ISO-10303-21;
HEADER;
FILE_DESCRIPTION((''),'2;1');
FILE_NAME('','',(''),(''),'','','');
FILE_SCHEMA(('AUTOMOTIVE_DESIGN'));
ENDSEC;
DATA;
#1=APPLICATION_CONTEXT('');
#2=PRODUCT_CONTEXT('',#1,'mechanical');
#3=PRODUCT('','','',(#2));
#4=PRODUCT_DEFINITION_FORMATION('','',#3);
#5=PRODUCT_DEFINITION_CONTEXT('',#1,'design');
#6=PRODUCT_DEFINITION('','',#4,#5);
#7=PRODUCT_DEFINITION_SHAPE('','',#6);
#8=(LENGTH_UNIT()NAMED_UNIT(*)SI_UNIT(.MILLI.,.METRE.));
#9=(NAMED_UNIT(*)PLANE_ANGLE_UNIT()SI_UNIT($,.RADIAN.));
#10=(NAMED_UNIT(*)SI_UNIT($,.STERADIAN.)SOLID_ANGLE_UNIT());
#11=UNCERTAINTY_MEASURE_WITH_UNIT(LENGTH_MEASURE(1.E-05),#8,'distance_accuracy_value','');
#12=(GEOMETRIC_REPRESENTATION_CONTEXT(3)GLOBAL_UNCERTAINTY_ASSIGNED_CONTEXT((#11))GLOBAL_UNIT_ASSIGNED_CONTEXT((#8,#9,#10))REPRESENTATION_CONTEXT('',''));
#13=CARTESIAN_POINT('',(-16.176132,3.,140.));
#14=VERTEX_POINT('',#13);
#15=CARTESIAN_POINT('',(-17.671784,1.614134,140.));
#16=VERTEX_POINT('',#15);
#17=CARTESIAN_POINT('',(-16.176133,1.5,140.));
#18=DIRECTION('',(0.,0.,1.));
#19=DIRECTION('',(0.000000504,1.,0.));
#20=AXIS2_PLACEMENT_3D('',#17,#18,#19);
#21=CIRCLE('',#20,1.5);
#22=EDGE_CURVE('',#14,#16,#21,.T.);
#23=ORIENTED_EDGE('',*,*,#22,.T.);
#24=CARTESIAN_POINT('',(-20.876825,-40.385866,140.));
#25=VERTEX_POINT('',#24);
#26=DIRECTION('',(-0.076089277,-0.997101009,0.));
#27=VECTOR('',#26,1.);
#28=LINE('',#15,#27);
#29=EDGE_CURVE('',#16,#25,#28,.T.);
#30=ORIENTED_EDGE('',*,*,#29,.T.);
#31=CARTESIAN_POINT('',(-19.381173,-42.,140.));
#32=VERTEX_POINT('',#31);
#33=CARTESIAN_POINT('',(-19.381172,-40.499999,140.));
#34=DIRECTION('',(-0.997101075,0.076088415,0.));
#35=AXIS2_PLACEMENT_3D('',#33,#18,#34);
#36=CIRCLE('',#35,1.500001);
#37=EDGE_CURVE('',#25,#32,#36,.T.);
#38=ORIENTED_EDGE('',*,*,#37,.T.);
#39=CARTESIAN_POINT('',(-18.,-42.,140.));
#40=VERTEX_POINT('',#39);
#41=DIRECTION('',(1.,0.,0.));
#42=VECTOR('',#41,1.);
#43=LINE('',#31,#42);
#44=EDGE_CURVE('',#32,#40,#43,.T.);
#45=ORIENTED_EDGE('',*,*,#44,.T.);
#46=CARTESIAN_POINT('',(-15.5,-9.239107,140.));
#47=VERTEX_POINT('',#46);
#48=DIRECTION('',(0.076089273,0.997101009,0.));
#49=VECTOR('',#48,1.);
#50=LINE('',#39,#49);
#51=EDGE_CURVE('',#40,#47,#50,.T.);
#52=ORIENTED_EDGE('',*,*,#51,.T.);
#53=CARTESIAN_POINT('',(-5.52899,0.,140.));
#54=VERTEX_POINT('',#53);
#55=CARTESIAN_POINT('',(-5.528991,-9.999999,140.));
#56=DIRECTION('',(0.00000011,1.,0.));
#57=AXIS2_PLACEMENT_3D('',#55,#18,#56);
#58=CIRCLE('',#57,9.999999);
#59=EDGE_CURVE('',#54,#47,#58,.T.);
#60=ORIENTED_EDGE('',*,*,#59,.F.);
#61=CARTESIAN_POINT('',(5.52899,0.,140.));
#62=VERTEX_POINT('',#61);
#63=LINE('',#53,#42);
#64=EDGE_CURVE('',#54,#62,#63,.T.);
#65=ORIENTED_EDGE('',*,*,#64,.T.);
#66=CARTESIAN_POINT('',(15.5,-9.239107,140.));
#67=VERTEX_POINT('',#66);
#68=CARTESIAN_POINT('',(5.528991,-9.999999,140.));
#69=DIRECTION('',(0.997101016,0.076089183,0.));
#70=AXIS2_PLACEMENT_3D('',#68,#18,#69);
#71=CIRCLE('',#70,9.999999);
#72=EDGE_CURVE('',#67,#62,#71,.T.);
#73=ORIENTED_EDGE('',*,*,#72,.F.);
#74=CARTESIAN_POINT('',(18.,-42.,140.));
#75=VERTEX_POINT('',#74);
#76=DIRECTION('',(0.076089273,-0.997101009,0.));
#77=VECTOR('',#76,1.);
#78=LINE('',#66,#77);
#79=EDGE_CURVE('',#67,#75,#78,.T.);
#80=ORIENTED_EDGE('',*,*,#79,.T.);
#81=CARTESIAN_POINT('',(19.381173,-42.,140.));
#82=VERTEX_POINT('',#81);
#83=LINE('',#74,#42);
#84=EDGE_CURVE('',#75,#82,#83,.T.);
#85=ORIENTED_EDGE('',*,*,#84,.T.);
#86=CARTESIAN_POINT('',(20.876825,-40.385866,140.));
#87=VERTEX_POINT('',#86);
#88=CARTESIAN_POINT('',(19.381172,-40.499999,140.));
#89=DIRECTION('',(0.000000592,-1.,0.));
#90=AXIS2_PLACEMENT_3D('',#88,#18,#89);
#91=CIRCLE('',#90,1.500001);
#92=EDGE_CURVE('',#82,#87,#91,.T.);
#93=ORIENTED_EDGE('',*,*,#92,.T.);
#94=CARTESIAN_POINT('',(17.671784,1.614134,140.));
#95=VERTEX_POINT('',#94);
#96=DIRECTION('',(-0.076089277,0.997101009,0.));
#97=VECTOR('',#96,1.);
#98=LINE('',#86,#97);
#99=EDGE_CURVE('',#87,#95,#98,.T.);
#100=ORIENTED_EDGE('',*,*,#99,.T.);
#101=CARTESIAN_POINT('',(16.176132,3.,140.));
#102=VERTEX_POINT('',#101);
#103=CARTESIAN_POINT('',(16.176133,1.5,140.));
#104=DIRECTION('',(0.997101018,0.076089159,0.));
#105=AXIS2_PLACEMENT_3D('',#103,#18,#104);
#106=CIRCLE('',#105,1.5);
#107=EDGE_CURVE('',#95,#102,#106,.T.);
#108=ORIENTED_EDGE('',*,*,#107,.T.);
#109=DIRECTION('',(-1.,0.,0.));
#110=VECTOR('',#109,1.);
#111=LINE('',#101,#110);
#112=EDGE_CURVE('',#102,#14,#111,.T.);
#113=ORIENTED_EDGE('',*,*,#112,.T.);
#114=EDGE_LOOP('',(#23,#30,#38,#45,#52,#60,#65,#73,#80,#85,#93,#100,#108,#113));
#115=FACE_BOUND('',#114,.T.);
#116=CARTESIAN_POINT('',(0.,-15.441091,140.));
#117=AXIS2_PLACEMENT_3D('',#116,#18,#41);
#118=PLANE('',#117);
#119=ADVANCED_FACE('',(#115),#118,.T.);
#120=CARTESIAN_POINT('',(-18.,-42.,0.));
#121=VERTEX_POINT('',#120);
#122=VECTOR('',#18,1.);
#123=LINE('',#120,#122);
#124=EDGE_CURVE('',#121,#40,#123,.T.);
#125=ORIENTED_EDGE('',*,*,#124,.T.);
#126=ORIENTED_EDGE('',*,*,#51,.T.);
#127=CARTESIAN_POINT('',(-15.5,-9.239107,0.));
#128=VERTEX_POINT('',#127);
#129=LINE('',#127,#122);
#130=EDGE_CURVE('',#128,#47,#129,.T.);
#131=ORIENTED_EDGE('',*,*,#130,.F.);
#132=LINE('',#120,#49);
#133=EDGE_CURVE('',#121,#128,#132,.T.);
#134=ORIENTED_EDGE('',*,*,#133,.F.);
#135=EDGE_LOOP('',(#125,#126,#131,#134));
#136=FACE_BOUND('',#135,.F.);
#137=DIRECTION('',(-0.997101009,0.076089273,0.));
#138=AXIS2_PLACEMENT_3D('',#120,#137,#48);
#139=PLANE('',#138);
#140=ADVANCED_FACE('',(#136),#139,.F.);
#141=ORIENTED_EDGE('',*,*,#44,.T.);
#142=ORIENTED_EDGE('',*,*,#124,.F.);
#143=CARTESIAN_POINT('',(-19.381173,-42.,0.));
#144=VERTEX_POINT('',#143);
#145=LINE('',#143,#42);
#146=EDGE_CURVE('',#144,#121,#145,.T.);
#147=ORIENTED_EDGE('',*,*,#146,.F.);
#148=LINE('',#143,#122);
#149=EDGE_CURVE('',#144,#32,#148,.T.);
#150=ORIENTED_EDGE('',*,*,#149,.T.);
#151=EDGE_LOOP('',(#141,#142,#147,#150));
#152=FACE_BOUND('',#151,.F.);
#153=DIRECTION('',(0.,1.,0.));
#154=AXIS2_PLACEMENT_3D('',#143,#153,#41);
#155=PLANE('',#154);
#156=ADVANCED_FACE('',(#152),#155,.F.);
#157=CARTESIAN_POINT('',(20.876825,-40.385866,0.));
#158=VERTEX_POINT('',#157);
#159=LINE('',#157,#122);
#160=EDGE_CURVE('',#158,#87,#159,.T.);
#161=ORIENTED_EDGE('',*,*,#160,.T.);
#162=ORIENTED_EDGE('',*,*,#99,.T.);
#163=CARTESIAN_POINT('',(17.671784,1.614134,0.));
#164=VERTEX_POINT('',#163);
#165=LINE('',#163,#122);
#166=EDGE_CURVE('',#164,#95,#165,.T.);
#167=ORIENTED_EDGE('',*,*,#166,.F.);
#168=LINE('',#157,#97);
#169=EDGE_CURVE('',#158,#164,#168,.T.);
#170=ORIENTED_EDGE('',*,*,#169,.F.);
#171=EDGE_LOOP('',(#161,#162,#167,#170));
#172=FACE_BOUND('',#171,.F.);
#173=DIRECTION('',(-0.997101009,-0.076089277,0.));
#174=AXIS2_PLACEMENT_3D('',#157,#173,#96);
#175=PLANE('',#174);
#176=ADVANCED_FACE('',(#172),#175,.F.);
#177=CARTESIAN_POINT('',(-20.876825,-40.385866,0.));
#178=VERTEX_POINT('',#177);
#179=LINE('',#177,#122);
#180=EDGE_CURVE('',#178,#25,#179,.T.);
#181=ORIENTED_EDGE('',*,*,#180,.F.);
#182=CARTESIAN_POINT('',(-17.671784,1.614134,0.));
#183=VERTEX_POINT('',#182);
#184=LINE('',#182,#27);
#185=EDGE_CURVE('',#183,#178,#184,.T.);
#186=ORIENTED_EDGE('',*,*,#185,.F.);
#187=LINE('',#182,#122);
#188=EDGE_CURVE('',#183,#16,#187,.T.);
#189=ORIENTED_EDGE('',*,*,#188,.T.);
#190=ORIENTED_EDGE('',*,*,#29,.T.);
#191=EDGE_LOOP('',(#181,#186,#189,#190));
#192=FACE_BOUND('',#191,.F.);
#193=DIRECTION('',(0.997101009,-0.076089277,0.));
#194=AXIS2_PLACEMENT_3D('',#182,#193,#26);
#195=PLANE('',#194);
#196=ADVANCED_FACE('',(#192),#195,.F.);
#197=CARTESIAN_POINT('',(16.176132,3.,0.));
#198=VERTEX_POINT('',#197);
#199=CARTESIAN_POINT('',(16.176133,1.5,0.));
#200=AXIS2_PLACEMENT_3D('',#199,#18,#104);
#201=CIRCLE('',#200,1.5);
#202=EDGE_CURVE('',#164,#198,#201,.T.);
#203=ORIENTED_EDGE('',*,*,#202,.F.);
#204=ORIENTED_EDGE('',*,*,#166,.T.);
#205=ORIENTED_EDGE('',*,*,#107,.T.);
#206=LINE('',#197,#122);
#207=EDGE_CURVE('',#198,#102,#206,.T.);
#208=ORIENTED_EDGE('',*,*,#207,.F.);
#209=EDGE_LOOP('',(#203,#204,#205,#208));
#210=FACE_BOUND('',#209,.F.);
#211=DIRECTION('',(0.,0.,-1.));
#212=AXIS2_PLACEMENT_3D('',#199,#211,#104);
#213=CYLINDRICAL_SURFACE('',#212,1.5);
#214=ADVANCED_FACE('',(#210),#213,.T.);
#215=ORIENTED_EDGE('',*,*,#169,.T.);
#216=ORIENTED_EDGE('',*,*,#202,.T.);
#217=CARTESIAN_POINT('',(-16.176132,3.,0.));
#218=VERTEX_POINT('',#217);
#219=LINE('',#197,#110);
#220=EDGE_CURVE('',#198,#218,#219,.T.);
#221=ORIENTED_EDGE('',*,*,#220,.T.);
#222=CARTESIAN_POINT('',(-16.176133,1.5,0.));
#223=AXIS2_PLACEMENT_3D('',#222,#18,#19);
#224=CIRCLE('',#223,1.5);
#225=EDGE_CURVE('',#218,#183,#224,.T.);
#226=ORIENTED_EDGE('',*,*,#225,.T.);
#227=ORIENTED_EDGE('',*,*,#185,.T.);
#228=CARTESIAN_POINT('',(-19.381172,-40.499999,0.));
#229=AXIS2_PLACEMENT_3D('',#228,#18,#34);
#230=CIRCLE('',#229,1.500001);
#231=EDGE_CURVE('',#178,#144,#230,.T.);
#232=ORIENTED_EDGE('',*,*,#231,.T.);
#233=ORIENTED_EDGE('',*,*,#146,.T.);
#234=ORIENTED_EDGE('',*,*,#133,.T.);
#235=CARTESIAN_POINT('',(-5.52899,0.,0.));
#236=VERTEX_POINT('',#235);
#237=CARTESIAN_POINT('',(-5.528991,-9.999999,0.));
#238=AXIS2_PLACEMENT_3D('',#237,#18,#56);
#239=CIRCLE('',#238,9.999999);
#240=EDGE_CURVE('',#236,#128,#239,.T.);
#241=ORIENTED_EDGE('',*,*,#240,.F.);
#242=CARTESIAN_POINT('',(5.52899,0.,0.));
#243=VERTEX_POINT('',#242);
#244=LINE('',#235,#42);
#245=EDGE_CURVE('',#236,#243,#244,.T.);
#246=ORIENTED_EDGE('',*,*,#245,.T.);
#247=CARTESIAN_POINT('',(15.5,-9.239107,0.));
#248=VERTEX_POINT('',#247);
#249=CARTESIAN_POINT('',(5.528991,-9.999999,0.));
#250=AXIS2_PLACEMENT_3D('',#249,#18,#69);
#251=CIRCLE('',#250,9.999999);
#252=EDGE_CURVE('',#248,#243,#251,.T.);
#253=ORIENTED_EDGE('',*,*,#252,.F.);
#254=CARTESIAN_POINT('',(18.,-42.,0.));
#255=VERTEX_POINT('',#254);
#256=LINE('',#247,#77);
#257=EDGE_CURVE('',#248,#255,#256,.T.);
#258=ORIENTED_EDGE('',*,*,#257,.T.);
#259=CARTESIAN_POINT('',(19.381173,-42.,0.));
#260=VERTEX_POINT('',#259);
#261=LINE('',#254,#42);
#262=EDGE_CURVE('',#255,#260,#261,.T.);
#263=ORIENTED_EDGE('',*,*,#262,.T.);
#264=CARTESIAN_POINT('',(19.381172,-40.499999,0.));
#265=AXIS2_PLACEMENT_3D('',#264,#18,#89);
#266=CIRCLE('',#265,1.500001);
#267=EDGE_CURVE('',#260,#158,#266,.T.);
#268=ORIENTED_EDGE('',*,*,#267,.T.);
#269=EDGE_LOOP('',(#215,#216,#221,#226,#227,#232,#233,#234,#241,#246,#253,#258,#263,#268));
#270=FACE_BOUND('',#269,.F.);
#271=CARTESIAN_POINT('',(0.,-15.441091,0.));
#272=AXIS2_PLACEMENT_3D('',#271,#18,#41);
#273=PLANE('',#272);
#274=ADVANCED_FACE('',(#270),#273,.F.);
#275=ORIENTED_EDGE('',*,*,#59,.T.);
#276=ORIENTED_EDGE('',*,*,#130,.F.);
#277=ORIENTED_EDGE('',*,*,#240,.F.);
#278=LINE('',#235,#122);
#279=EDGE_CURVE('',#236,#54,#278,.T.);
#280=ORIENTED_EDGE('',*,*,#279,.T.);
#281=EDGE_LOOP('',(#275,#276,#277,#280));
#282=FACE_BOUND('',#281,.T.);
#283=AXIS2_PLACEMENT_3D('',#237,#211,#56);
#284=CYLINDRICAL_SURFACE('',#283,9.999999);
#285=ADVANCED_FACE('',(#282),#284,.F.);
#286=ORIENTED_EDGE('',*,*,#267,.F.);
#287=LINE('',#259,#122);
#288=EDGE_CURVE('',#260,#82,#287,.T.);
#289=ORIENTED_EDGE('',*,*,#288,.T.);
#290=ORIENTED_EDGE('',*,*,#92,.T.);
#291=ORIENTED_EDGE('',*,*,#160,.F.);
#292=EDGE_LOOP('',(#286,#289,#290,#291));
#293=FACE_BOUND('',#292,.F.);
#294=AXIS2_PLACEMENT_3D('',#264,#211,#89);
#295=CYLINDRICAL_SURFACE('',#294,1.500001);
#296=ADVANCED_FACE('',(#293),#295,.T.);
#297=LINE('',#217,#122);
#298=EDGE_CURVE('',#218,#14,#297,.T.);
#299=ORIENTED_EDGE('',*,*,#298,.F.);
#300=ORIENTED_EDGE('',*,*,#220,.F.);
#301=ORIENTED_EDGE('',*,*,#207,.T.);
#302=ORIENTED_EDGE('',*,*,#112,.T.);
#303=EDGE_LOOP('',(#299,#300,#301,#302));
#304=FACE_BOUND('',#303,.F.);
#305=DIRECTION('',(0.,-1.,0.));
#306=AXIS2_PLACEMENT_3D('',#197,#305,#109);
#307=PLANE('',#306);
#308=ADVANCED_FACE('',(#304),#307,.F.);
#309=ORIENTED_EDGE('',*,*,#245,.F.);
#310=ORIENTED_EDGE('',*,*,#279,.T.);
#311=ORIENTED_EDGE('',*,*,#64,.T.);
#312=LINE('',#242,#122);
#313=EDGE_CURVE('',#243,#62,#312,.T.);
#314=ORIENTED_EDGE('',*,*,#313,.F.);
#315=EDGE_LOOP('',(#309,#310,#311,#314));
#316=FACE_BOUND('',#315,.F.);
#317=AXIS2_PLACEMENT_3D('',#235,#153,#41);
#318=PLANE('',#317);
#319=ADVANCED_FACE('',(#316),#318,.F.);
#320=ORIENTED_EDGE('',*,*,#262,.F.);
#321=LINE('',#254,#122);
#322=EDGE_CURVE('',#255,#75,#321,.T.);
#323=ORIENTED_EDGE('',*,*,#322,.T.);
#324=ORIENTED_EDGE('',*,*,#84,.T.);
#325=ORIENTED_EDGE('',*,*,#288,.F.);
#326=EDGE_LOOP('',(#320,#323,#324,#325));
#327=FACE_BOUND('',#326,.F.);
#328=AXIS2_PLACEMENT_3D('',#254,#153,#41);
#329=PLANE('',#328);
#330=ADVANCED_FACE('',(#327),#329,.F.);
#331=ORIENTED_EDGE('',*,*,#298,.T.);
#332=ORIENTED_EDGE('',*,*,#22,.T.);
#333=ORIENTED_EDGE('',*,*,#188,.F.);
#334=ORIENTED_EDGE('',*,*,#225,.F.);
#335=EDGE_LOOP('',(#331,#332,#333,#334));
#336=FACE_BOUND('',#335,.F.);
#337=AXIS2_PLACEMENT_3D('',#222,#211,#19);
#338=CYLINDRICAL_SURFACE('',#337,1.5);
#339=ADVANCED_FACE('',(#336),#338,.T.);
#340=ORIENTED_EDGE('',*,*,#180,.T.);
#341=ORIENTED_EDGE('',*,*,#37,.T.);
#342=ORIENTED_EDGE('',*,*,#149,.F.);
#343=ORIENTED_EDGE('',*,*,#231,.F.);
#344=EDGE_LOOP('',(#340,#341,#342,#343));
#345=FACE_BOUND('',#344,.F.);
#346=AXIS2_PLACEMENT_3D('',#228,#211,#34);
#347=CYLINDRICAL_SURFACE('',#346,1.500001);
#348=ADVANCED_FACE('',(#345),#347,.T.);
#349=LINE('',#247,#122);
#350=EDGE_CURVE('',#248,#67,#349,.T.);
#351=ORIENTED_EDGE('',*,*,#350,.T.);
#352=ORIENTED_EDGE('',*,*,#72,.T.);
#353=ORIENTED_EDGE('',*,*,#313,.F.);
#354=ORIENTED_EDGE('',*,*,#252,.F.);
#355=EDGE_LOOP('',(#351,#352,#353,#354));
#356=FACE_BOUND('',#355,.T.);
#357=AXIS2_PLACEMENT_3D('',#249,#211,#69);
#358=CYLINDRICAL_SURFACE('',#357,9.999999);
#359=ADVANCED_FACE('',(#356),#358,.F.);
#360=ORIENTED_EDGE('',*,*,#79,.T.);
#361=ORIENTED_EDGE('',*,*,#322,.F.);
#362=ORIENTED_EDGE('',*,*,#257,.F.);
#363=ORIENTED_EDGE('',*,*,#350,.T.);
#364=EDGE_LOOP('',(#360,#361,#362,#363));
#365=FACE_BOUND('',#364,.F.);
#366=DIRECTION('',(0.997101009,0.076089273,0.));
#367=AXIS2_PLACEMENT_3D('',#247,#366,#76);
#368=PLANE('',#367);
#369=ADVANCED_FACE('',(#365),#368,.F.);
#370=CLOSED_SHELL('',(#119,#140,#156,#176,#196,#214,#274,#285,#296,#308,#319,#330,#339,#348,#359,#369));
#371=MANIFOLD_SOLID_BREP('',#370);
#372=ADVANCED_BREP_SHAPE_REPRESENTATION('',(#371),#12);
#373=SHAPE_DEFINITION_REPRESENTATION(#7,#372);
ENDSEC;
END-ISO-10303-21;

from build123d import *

# Parameters (mm, degrees)
PAD_DEPTH = 140


with BuildPart() as part:
    # Sketch → Pad (new body)
    with BuildSketch(Plane.XY):
        with BuildLine():
            Line((16.176132, 3), (-16.176132, 3))
            ThreePointArc((-16.176132, 3), (-17.195642, 2.600273), (-17.671784, 1.614134))
            Line((-17.671784, 1.614134), (-20.876825, -40.385866))
            ThreePointArc((-20.876825, -40.385866), (-20.481446, -41.519509), (-19.381173, -42))
            Line((-19.381173, -42), (-18, -42))
            Line((-18, -42), (-15.5, -9.239107))
            ThreePointArc((-5.52899, 0), (-12.32572, -2.664847), (-15.5, -9.239107))
            Line((-5.52899, 0), (5.52899, 0))
            ThreePointArc((15.5, -9.239107), (12.32572, -2.664847), (5.52899, 0))
            Line((15.5, -9.239107), (18, -42))
            Line((18, -42), (19.381173, -42))
            ThreePointArc((19.381173, -42), (20.481446, -41.519509), (20.876825, -40.385866))
            Line((20.876825, -40.385866), (17.671784, 1.614134))
            ThreePointArc((17.671784, 1.614134), (17.195642, 2.600273), (16.176132, 3))
        make_face()
    extrude(amount=PAD_DEPTH)


solid = part.part
